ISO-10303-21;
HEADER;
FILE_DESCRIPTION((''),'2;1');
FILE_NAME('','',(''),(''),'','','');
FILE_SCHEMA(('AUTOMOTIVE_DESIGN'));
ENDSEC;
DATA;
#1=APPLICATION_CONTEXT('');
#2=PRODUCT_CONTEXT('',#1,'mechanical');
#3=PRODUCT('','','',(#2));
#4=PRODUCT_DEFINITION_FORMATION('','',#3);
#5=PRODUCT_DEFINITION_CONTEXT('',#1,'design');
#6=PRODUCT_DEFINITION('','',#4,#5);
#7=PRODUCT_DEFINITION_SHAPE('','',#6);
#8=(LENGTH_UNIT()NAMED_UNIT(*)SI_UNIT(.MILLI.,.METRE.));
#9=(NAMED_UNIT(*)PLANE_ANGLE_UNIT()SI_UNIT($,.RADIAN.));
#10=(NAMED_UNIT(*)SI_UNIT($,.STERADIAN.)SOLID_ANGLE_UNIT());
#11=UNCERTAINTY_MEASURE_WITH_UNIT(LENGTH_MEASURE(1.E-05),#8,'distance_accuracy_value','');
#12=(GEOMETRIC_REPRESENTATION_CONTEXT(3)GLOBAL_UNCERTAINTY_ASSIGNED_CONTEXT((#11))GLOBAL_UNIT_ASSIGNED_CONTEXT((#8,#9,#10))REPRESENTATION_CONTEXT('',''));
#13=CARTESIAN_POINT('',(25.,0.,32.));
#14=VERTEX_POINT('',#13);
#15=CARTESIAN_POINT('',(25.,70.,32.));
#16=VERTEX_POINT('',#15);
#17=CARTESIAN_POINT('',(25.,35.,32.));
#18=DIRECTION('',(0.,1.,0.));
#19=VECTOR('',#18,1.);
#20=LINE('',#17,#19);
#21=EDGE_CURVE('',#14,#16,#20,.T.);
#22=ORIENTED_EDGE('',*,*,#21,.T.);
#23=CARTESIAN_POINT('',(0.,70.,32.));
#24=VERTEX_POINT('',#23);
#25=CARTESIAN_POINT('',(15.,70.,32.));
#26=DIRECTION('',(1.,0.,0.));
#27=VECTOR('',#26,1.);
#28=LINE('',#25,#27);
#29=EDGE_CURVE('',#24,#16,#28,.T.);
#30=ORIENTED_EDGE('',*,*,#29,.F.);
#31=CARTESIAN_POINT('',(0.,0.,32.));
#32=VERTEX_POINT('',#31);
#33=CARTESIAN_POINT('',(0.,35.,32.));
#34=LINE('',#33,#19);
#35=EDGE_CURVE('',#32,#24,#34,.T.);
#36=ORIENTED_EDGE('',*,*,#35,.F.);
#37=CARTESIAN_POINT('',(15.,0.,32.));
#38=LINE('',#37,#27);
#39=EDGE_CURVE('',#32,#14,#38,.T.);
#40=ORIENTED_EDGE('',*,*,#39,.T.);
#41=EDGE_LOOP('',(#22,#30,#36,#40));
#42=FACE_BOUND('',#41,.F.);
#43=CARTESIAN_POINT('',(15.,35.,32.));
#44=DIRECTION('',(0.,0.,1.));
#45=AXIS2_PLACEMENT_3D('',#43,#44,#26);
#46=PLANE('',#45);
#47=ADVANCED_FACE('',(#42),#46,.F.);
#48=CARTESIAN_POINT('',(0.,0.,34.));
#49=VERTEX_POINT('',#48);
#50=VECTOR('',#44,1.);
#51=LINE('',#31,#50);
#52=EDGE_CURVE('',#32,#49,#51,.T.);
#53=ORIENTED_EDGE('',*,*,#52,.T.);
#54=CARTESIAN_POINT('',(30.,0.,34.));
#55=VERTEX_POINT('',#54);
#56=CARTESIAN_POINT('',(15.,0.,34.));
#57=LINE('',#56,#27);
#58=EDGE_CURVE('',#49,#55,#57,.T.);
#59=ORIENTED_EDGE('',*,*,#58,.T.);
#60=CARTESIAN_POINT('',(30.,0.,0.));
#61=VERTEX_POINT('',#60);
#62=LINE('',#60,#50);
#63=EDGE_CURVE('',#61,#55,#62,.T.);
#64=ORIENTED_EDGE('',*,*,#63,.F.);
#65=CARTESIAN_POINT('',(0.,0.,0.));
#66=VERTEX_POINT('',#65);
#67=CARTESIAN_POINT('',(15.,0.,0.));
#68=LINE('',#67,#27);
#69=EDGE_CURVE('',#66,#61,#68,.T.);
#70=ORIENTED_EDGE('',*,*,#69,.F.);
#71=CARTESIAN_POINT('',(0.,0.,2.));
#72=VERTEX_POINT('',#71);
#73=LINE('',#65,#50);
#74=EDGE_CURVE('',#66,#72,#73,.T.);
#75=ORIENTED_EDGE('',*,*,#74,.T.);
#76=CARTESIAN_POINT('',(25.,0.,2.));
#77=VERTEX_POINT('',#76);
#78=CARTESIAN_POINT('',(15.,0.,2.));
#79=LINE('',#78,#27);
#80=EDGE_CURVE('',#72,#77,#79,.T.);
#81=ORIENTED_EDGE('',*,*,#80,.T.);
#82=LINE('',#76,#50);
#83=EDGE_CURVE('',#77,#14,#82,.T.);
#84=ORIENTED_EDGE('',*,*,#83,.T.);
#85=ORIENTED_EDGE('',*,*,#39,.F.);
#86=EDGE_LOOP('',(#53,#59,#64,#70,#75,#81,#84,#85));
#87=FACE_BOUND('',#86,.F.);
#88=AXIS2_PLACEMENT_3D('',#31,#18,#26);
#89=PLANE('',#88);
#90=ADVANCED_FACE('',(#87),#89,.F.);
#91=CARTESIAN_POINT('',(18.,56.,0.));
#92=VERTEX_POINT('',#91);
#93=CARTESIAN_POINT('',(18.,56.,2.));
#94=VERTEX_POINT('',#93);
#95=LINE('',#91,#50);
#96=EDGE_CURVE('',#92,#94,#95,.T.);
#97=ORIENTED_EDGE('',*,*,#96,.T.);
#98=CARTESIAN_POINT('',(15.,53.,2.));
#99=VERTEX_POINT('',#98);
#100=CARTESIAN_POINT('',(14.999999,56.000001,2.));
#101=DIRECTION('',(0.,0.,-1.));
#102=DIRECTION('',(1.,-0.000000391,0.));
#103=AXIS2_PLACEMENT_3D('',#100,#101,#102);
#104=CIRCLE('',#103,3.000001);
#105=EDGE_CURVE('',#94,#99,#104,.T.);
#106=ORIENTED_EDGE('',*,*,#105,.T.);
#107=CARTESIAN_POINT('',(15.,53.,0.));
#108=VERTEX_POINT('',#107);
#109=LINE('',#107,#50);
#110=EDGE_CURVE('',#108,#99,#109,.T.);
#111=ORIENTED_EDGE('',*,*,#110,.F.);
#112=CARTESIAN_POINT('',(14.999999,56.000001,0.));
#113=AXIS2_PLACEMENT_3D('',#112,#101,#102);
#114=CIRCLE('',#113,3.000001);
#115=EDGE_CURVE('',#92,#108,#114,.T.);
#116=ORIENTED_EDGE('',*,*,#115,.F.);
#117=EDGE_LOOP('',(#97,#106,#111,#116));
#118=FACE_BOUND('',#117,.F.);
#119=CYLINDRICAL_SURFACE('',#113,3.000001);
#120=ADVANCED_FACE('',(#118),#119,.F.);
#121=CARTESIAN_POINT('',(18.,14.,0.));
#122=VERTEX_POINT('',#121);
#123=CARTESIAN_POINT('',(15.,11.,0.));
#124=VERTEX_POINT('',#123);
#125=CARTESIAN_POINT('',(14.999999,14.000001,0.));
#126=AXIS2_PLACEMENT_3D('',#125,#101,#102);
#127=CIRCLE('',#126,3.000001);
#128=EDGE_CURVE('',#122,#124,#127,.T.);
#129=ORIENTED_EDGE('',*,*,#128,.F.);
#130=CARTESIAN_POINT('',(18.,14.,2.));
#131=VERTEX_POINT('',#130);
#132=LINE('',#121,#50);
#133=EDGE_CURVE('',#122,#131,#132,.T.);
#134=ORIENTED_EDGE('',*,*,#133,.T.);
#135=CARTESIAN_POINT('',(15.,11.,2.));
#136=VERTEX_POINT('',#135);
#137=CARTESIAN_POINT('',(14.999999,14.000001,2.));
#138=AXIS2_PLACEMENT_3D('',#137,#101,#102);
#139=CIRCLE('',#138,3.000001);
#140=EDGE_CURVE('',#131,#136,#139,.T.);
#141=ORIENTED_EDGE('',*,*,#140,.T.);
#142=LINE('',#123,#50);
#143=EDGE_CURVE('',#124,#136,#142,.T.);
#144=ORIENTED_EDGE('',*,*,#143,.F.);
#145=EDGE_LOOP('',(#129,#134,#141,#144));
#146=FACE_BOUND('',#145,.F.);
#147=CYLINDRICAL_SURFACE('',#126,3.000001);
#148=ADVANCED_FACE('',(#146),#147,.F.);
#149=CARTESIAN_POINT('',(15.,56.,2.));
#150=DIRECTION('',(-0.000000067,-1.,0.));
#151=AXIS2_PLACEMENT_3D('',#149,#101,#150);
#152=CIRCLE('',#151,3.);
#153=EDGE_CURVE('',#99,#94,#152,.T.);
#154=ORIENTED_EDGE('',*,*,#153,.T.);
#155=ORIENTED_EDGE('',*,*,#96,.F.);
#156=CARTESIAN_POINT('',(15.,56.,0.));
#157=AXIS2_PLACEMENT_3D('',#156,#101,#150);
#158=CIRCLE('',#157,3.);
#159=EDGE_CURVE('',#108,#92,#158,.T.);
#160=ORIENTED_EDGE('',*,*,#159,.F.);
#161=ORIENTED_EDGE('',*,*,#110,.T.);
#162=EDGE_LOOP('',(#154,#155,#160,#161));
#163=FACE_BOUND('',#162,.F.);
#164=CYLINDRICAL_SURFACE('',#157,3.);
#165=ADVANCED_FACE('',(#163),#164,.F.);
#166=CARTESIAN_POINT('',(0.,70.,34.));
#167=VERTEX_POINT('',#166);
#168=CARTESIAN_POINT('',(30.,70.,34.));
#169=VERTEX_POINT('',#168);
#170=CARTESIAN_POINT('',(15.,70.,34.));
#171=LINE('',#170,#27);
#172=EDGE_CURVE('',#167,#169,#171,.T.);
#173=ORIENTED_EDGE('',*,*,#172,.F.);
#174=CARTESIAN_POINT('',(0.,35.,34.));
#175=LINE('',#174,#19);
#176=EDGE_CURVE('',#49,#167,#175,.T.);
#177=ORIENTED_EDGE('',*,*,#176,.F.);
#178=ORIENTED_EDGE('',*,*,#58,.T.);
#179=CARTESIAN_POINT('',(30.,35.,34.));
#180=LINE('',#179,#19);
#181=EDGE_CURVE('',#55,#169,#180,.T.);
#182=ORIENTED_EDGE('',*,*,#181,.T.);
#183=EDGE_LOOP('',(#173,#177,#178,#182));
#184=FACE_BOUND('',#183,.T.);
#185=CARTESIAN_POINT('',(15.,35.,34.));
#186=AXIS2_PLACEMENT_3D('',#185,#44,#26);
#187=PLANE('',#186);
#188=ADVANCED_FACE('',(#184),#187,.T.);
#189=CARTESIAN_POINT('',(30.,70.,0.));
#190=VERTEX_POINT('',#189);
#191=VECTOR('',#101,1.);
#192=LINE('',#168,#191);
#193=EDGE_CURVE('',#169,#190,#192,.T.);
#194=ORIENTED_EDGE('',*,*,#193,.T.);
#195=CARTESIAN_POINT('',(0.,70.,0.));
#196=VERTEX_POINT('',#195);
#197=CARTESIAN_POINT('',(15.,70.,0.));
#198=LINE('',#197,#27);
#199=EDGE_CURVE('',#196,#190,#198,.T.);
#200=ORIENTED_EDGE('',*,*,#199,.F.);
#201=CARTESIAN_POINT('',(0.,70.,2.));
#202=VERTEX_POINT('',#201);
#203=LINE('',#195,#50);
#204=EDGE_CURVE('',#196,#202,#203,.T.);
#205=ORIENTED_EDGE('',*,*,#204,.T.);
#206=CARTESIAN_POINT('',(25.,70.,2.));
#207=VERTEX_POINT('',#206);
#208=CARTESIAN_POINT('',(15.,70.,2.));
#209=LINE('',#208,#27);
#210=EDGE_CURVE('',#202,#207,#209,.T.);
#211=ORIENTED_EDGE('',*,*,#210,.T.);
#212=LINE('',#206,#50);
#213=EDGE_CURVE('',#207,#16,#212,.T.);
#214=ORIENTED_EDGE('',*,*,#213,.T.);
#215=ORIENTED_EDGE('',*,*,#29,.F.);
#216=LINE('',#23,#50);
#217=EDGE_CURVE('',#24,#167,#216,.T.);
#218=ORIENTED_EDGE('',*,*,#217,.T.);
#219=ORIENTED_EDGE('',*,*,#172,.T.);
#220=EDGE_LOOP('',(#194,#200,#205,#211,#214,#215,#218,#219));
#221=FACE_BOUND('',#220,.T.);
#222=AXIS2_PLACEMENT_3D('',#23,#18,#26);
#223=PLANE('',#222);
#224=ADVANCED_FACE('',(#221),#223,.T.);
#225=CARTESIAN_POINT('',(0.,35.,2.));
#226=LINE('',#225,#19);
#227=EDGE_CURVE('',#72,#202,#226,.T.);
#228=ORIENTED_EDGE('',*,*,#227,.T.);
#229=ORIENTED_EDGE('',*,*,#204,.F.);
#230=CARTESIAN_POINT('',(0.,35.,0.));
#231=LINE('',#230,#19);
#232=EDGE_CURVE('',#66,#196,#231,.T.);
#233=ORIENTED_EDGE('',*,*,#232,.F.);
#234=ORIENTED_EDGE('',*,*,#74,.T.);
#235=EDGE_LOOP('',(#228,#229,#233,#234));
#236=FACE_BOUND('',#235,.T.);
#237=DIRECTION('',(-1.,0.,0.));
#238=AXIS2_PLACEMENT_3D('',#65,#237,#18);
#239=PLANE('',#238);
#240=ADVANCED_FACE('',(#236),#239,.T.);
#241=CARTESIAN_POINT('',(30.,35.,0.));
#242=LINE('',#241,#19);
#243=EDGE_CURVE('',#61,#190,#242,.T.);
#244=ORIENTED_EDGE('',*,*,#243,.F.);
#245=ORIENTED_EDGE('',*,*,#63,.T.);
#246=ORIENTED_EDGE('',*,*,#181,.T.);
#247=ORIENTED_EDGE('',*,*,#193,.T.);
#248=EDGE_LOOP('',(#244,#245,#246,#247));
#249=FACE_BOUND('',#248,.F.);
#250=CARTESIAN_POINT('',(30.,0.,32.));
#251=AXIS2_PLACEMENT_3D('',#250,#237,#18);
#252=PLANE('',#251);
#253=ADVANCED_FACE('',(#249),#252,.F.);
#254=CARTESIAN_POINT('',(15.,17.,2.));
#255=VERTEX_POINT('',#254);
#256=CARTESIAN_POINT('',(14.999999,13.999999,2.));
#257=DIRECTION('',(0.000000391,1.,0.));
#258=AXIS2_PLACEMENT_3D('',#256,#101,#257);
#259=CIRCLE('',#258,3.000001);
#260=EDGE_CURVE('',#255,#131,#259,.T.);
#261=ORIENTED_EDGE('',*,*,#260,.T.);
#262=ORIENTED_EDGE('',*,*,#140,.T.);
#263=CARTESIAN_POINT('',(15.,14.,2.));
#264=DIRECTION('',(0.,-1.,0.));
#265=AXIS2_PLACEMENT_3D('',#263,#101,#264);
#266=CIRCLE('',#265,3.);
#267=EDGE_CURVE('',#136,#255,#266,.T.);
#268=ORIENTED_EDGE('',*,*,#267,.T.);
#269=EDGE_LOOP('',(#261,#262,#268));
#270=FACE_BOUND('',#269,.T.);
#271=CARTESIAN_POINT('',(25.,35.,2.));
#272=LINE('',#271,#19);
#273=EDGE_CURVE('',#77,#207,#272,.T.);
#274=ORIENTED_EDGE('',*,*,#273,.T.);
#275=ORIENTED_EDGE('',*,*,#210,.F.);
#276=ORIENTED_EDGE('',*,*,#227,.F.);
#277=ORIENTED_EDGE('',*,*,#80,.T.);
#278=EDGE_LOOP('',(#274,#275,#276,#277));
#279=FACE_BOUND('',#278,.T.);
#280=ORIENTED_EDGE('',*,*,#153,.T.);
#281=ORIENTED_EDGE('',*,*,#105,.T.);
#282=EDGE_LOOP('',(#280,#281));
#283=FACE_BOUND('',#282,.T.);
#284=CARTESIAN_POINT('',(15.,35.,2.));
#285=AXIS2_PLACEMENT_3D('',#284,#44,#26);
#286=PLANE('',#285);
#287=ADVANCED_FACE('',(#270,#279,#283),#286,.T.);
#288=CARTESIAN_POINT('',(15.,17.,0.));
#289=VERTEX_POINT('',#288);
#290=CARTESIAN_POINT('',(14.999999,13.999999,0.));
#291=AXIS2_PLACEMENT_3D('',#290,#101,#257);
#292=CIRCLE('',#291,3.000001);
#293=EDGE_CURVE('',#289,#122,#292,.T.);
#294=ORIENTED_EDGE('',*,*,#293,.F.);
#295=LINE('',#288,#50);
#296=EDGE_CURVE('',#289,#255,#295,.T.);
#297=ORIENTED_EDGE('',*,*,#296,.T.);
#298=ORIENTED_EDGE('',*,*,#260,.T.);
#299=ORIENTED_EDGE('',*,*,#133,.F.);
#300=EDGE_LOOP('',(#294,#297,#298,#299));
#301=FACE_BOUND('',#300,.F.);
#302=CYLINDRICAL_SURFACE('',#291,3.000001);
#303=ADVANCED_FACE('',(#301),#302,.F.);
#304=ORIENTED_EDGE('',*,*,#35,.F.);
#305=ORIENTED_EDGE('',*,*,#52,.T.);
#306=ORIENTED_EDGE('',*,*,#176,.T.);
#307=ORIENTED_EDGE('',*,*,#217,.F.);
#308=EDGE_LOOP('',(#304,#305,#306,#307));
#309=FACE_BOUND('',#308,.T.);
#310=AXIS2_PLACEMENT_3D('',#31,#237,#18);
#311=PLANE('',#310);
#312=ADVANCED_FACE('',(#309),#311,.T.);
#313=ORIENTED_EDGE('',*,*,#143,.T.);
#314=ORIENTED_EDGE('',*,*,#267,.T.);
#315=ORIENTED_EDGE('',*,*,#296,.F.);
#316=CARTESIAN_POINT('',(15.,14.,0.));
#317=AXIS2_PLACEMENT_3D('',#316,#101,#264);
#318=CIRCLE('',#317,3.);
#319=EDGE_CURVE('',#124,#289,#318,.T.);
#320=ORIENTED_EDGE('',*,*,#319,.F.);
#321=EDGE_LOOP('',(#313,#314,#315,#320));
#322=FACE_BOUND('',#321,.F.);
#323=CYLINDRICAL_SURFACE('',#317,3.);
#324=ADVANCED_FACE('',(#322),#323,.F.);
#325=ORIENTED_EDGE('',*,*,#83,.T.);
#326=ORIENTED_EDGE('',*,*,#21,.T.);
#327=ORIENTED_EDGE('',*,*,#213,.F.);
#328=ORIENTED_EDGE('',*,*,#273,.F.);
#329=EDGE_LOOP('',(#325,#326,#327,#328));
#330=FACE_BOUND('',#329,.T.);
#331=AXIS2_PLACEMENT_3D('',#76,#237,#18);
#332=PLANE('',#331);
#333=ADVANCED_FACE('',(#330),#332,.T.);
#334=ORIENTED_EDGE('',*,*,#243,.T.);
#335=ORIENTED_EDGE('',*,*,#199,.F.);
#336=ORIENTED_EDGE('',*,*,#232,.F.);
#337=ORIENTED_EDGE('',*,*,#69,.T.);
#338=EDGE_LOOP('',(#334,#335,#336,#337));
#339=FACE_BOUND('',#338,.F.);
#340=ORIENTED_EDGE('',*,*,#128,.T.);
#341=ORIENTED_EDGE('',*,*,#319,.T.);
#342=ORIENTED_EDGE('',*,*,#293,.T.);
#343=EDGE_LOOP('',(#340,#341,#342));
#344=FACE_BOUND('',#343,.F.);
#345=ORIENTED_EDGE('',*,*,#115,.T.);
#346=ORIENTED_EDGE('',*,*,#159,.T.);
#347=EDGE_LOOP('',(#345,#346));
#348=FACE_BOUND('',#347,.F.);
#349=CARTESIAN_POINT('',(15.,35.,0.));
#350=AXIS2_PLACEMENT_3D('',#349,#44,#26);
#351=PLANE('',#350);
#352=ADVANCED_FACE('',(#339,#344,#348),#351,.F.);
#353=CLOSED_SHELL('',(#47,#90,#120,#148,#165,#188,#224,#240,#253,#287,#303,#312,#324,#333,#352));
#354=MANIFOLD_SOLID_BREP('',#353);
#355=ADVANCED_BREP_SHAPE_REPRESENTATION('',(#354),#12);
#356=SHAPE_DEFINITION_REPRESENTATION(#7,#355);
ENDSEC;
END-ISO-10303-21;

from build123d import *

# Parameters (mm, degrees)
F0_W     = 30
F0_H     = 70
F1_DEPTH = 2
F2_W     = 5
F2_H     = 70
F3_DEPTH = 30
F4_W     = 30
F4_H     = 70
F5_DEPTH = 2
F7_DEPTH = 5


with BuildPart() as f1:
    # F0 (on Top) → F1 (new body)
    with BuildSketch(Plane.XY):
        with Locations((15, 35)):
            Rectangle(F0_W, F0_H)
    extrude(amount=F1_DEPTH)

    # F2 (on face) → F3 (join)
    with BuildSketch(Plane.XY.offset(2)):
        with Locations((27.5, 35)):
            Rectangle(F2_W, F2_H)
    extrude(amount=F3_DEPTH)

    # F4 (on face) → F5 (join)
    with BuildSketch(Plane.XY.offset(32)):
        with Locations((15, 35)):
            Rectangle(F4_W, F4_H)
    extrude(amount=F5_DEPTH)

    # F6 (on face) → F7 (cut)
    with BuildSketch(Plane(origin=(0, 0, 0), x_dir=(1, 0, 0), z_dir=(0, 0, -1))):
        with BuildLine():
            ThreePointArc((18, -14), (17.12132, -11.87868), (15, -11))
            Line((15, -11), (15, -14))
            Line((15, -14), (15, -17))
            ThreePointArc((15, -17), (17.12132, -16.12132), (18, -14))
        make_face()
        with BuildLine():
            ThreePointArc((18, -56), (17.12132, -53.87868), (15, -53))
            ThreePointArc((15, -53), (12.87868, -58.12132), (18, -56))
        make_face()
        with BuildLine():
            Line((15, -14), (15, -11))
            ThreePointArc((15, -11), (12, -14), (15, -17))
            Line((15, -17), (15, -14))
        make_face()
    extrude(amount=-F7_DEPTH, mode=Mode.SUBTRACT)


solid = f1.part
